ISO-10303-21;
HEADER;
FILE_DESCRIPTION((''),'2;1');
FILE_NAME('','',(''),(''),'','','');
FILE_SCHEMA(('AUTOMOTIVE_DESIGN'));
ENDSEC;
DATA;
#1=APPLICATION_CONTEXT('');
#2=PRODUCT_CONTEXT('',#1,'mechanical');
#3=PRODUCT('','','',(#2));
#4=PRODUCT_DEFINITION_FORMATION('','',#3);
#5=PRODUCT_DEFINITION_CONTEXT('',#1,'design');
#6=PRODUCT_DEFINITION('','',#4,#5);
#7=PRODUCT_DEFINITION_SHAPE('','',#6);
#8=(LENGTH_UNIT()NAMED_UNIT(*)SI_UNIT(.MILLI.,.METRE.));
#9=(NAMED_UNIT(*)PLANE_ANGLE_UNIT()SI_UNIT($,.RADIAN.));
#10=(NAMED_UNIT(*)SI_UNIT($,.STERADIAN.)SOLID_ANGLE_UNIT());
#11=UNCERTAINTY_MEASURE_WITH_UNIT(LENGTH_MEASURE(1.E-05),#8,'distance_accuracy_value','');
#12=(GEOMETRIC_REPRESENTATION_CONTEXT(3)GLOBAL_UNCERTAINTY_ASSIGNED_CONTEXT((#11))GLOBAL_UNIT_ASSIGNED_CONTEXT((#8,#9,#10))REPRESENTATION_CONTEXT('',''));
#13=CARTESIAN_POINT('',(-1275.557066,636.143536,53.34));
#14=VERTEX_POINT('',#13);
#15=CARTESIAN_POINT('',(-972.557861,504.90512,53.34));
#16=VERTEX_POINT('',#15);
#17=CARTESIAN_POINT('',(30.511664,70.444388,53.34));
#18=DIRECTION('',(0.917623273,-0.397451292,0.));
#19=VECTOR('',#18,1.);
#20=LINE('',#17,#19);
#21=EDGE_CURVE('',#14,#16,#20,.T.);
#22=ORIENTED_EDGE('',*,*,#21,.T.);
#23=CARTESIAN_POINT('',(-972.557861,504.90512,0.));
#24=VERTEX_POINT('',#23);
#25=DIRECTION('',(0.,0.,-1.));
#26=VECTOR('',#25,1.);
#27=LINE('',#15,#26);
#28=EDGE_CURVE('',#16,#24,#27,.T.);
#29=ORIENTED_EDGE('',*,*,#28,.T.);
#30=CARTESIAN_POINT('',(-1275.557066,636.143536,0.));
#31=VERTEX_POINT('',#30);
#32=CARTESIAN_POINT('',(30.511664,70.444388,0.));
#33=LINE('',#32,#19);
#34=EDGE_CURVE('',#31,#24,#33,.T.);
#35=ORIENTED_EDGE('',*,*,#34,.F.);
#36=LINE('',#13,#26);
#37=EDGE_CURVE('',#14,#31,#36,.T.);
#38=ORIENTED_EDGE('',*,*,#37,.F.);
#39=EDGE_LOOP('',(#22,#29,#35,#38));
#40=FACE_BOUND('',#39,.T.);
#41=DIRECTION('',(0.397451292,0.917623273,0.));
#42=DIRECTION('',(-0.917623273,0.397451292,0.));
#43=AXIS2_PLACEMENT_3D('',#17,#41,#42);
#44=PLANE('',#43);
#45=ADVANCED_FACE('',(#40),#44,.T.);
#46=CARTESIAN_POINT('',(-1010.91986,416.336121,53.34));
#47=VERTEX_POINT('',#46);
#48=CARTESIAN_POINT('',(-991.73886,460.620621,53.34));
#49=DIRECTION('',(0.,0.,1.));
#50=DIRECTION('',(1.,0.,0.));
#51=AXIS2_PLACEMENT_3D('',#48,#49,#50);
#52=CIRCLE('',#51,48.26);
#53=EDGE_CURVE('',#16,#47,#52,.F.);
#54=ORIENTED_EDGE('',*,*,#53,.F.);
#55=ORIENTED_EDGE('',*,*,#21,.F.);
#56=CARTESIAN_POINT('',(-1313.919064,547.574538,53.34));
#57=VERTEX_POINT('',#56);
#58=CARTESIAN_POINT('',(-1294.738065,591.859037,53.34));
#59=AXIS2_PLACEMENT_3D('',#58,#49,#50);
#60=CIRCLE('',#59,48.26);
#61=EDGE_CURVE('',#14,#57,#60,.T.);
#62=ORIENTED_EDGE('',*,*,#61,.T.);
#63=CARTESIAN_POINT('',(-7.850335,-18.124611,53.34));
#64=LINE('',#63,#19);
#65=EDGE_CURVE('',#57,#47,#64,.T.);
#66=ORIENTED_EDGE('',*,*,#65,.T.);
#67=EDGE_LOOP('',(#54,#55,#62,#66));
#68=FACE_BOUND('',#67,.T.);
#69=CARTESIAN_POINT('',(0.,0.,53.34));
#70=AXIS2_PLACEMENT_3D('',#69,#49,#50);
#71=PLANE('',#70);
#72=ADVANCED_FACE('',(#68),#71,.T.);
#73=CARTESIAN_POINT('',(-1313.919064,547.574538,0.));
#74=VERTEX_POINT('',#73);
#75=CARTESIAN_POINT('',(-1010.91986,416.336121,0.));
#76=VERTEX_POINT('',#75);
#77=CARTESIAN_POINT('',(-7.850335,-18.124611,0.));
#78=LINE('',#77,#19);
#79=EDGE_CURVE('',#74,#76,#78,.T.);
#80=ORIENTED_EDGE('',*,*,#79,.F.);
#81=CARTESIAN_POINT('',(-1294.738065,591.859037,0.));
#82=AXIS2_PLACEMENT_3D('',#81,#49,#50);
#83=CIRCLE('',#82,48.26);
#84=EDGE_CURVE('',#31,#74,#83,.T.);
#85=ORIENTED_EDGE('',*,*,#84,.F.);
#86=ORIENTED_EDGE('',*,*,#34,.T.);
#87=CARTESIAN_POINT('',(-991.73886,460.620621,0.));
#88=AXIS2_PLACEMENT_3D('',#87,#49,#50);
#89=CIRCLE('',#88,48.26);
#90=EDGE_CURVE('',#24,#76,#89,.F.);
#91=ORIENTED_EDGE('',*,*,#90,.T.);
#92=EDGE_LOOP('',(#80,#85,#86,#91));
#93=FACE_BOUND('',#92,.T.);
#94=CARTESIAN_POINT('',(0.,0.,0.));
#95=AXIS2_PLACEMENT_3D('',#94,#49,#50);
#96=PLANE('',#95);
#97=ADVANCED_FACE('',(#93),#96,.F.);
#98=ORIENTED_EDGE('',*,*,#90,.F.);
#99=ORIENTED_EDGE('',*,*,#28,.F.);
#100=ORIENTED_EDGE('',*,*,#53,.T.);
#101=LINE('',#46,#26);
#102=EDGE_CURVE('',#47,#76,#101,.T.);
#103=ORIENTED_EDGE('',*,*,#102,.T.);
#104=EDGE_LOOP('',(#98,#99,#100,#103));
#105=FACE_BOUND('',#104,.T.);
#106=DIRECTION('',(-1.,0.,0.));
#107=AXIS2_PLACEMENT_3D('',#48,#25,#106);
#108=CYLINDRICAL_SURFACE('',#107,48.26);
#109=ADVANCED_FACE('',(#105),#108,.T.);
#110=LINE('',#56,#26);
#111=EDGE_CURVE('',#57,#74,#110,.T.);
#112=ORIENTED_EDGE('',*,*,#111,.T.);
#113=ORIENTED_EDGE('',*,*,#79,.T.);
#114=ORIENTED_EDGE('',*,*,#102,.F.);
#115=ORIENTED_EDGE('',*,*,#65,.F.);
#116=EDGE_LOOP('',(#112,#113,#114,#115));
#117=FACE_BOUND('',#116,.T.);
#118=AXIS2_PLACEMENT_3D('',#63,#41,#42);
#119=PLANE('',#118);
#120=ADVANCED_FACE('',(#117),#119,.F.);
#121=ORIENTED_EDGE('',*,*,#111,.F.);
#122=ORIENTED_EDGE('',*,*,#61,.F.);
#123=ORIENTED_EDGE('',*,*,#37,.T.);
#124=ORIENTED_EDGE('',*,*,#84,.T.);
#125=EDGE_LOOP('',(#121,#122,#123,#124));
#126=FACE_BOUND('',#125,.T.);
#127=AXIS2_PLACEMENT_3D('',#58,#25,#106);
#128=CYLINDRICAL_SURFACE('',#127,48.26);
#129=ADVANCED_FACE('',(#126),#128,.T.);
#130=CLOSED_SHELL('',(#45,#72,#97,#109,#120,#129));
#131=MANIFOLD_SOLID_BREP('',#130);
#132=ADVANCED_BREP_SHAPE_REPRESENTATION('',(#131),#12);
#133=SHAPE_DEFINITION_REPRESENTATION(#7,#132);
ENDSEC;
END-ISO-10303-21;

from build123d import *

# Parameters (mm, degrees)
BOSS_EXTRUDE1_DEPTH = 53.34


with BuildPart() as part:
    # Sketch1 → Boss-Extrude1 (new body)
    with BuildSketch(Plane.XY):
        with BuildLine():
            Line((-1275.557065722, 636.143536296), (-972.557861111, 504.905119645))
            ThreePointArc((-972.557861111, 504.905119645), (-947.454361332, 441.439621153), (-1010.919859824, 416.336121374))
            Line((-1010.919859824, 416.336121374), (-1313.919064435, 547.574538025))
            ThreePointArc((-1313.919064435, 547.574538025), (-1339.022564214, 611.040036517), (-1275.557065722, 636.143536296))
        make_face()
    extrude(amount=BOSS_EXTRUDE1_DEPTH)


solid = part.part
